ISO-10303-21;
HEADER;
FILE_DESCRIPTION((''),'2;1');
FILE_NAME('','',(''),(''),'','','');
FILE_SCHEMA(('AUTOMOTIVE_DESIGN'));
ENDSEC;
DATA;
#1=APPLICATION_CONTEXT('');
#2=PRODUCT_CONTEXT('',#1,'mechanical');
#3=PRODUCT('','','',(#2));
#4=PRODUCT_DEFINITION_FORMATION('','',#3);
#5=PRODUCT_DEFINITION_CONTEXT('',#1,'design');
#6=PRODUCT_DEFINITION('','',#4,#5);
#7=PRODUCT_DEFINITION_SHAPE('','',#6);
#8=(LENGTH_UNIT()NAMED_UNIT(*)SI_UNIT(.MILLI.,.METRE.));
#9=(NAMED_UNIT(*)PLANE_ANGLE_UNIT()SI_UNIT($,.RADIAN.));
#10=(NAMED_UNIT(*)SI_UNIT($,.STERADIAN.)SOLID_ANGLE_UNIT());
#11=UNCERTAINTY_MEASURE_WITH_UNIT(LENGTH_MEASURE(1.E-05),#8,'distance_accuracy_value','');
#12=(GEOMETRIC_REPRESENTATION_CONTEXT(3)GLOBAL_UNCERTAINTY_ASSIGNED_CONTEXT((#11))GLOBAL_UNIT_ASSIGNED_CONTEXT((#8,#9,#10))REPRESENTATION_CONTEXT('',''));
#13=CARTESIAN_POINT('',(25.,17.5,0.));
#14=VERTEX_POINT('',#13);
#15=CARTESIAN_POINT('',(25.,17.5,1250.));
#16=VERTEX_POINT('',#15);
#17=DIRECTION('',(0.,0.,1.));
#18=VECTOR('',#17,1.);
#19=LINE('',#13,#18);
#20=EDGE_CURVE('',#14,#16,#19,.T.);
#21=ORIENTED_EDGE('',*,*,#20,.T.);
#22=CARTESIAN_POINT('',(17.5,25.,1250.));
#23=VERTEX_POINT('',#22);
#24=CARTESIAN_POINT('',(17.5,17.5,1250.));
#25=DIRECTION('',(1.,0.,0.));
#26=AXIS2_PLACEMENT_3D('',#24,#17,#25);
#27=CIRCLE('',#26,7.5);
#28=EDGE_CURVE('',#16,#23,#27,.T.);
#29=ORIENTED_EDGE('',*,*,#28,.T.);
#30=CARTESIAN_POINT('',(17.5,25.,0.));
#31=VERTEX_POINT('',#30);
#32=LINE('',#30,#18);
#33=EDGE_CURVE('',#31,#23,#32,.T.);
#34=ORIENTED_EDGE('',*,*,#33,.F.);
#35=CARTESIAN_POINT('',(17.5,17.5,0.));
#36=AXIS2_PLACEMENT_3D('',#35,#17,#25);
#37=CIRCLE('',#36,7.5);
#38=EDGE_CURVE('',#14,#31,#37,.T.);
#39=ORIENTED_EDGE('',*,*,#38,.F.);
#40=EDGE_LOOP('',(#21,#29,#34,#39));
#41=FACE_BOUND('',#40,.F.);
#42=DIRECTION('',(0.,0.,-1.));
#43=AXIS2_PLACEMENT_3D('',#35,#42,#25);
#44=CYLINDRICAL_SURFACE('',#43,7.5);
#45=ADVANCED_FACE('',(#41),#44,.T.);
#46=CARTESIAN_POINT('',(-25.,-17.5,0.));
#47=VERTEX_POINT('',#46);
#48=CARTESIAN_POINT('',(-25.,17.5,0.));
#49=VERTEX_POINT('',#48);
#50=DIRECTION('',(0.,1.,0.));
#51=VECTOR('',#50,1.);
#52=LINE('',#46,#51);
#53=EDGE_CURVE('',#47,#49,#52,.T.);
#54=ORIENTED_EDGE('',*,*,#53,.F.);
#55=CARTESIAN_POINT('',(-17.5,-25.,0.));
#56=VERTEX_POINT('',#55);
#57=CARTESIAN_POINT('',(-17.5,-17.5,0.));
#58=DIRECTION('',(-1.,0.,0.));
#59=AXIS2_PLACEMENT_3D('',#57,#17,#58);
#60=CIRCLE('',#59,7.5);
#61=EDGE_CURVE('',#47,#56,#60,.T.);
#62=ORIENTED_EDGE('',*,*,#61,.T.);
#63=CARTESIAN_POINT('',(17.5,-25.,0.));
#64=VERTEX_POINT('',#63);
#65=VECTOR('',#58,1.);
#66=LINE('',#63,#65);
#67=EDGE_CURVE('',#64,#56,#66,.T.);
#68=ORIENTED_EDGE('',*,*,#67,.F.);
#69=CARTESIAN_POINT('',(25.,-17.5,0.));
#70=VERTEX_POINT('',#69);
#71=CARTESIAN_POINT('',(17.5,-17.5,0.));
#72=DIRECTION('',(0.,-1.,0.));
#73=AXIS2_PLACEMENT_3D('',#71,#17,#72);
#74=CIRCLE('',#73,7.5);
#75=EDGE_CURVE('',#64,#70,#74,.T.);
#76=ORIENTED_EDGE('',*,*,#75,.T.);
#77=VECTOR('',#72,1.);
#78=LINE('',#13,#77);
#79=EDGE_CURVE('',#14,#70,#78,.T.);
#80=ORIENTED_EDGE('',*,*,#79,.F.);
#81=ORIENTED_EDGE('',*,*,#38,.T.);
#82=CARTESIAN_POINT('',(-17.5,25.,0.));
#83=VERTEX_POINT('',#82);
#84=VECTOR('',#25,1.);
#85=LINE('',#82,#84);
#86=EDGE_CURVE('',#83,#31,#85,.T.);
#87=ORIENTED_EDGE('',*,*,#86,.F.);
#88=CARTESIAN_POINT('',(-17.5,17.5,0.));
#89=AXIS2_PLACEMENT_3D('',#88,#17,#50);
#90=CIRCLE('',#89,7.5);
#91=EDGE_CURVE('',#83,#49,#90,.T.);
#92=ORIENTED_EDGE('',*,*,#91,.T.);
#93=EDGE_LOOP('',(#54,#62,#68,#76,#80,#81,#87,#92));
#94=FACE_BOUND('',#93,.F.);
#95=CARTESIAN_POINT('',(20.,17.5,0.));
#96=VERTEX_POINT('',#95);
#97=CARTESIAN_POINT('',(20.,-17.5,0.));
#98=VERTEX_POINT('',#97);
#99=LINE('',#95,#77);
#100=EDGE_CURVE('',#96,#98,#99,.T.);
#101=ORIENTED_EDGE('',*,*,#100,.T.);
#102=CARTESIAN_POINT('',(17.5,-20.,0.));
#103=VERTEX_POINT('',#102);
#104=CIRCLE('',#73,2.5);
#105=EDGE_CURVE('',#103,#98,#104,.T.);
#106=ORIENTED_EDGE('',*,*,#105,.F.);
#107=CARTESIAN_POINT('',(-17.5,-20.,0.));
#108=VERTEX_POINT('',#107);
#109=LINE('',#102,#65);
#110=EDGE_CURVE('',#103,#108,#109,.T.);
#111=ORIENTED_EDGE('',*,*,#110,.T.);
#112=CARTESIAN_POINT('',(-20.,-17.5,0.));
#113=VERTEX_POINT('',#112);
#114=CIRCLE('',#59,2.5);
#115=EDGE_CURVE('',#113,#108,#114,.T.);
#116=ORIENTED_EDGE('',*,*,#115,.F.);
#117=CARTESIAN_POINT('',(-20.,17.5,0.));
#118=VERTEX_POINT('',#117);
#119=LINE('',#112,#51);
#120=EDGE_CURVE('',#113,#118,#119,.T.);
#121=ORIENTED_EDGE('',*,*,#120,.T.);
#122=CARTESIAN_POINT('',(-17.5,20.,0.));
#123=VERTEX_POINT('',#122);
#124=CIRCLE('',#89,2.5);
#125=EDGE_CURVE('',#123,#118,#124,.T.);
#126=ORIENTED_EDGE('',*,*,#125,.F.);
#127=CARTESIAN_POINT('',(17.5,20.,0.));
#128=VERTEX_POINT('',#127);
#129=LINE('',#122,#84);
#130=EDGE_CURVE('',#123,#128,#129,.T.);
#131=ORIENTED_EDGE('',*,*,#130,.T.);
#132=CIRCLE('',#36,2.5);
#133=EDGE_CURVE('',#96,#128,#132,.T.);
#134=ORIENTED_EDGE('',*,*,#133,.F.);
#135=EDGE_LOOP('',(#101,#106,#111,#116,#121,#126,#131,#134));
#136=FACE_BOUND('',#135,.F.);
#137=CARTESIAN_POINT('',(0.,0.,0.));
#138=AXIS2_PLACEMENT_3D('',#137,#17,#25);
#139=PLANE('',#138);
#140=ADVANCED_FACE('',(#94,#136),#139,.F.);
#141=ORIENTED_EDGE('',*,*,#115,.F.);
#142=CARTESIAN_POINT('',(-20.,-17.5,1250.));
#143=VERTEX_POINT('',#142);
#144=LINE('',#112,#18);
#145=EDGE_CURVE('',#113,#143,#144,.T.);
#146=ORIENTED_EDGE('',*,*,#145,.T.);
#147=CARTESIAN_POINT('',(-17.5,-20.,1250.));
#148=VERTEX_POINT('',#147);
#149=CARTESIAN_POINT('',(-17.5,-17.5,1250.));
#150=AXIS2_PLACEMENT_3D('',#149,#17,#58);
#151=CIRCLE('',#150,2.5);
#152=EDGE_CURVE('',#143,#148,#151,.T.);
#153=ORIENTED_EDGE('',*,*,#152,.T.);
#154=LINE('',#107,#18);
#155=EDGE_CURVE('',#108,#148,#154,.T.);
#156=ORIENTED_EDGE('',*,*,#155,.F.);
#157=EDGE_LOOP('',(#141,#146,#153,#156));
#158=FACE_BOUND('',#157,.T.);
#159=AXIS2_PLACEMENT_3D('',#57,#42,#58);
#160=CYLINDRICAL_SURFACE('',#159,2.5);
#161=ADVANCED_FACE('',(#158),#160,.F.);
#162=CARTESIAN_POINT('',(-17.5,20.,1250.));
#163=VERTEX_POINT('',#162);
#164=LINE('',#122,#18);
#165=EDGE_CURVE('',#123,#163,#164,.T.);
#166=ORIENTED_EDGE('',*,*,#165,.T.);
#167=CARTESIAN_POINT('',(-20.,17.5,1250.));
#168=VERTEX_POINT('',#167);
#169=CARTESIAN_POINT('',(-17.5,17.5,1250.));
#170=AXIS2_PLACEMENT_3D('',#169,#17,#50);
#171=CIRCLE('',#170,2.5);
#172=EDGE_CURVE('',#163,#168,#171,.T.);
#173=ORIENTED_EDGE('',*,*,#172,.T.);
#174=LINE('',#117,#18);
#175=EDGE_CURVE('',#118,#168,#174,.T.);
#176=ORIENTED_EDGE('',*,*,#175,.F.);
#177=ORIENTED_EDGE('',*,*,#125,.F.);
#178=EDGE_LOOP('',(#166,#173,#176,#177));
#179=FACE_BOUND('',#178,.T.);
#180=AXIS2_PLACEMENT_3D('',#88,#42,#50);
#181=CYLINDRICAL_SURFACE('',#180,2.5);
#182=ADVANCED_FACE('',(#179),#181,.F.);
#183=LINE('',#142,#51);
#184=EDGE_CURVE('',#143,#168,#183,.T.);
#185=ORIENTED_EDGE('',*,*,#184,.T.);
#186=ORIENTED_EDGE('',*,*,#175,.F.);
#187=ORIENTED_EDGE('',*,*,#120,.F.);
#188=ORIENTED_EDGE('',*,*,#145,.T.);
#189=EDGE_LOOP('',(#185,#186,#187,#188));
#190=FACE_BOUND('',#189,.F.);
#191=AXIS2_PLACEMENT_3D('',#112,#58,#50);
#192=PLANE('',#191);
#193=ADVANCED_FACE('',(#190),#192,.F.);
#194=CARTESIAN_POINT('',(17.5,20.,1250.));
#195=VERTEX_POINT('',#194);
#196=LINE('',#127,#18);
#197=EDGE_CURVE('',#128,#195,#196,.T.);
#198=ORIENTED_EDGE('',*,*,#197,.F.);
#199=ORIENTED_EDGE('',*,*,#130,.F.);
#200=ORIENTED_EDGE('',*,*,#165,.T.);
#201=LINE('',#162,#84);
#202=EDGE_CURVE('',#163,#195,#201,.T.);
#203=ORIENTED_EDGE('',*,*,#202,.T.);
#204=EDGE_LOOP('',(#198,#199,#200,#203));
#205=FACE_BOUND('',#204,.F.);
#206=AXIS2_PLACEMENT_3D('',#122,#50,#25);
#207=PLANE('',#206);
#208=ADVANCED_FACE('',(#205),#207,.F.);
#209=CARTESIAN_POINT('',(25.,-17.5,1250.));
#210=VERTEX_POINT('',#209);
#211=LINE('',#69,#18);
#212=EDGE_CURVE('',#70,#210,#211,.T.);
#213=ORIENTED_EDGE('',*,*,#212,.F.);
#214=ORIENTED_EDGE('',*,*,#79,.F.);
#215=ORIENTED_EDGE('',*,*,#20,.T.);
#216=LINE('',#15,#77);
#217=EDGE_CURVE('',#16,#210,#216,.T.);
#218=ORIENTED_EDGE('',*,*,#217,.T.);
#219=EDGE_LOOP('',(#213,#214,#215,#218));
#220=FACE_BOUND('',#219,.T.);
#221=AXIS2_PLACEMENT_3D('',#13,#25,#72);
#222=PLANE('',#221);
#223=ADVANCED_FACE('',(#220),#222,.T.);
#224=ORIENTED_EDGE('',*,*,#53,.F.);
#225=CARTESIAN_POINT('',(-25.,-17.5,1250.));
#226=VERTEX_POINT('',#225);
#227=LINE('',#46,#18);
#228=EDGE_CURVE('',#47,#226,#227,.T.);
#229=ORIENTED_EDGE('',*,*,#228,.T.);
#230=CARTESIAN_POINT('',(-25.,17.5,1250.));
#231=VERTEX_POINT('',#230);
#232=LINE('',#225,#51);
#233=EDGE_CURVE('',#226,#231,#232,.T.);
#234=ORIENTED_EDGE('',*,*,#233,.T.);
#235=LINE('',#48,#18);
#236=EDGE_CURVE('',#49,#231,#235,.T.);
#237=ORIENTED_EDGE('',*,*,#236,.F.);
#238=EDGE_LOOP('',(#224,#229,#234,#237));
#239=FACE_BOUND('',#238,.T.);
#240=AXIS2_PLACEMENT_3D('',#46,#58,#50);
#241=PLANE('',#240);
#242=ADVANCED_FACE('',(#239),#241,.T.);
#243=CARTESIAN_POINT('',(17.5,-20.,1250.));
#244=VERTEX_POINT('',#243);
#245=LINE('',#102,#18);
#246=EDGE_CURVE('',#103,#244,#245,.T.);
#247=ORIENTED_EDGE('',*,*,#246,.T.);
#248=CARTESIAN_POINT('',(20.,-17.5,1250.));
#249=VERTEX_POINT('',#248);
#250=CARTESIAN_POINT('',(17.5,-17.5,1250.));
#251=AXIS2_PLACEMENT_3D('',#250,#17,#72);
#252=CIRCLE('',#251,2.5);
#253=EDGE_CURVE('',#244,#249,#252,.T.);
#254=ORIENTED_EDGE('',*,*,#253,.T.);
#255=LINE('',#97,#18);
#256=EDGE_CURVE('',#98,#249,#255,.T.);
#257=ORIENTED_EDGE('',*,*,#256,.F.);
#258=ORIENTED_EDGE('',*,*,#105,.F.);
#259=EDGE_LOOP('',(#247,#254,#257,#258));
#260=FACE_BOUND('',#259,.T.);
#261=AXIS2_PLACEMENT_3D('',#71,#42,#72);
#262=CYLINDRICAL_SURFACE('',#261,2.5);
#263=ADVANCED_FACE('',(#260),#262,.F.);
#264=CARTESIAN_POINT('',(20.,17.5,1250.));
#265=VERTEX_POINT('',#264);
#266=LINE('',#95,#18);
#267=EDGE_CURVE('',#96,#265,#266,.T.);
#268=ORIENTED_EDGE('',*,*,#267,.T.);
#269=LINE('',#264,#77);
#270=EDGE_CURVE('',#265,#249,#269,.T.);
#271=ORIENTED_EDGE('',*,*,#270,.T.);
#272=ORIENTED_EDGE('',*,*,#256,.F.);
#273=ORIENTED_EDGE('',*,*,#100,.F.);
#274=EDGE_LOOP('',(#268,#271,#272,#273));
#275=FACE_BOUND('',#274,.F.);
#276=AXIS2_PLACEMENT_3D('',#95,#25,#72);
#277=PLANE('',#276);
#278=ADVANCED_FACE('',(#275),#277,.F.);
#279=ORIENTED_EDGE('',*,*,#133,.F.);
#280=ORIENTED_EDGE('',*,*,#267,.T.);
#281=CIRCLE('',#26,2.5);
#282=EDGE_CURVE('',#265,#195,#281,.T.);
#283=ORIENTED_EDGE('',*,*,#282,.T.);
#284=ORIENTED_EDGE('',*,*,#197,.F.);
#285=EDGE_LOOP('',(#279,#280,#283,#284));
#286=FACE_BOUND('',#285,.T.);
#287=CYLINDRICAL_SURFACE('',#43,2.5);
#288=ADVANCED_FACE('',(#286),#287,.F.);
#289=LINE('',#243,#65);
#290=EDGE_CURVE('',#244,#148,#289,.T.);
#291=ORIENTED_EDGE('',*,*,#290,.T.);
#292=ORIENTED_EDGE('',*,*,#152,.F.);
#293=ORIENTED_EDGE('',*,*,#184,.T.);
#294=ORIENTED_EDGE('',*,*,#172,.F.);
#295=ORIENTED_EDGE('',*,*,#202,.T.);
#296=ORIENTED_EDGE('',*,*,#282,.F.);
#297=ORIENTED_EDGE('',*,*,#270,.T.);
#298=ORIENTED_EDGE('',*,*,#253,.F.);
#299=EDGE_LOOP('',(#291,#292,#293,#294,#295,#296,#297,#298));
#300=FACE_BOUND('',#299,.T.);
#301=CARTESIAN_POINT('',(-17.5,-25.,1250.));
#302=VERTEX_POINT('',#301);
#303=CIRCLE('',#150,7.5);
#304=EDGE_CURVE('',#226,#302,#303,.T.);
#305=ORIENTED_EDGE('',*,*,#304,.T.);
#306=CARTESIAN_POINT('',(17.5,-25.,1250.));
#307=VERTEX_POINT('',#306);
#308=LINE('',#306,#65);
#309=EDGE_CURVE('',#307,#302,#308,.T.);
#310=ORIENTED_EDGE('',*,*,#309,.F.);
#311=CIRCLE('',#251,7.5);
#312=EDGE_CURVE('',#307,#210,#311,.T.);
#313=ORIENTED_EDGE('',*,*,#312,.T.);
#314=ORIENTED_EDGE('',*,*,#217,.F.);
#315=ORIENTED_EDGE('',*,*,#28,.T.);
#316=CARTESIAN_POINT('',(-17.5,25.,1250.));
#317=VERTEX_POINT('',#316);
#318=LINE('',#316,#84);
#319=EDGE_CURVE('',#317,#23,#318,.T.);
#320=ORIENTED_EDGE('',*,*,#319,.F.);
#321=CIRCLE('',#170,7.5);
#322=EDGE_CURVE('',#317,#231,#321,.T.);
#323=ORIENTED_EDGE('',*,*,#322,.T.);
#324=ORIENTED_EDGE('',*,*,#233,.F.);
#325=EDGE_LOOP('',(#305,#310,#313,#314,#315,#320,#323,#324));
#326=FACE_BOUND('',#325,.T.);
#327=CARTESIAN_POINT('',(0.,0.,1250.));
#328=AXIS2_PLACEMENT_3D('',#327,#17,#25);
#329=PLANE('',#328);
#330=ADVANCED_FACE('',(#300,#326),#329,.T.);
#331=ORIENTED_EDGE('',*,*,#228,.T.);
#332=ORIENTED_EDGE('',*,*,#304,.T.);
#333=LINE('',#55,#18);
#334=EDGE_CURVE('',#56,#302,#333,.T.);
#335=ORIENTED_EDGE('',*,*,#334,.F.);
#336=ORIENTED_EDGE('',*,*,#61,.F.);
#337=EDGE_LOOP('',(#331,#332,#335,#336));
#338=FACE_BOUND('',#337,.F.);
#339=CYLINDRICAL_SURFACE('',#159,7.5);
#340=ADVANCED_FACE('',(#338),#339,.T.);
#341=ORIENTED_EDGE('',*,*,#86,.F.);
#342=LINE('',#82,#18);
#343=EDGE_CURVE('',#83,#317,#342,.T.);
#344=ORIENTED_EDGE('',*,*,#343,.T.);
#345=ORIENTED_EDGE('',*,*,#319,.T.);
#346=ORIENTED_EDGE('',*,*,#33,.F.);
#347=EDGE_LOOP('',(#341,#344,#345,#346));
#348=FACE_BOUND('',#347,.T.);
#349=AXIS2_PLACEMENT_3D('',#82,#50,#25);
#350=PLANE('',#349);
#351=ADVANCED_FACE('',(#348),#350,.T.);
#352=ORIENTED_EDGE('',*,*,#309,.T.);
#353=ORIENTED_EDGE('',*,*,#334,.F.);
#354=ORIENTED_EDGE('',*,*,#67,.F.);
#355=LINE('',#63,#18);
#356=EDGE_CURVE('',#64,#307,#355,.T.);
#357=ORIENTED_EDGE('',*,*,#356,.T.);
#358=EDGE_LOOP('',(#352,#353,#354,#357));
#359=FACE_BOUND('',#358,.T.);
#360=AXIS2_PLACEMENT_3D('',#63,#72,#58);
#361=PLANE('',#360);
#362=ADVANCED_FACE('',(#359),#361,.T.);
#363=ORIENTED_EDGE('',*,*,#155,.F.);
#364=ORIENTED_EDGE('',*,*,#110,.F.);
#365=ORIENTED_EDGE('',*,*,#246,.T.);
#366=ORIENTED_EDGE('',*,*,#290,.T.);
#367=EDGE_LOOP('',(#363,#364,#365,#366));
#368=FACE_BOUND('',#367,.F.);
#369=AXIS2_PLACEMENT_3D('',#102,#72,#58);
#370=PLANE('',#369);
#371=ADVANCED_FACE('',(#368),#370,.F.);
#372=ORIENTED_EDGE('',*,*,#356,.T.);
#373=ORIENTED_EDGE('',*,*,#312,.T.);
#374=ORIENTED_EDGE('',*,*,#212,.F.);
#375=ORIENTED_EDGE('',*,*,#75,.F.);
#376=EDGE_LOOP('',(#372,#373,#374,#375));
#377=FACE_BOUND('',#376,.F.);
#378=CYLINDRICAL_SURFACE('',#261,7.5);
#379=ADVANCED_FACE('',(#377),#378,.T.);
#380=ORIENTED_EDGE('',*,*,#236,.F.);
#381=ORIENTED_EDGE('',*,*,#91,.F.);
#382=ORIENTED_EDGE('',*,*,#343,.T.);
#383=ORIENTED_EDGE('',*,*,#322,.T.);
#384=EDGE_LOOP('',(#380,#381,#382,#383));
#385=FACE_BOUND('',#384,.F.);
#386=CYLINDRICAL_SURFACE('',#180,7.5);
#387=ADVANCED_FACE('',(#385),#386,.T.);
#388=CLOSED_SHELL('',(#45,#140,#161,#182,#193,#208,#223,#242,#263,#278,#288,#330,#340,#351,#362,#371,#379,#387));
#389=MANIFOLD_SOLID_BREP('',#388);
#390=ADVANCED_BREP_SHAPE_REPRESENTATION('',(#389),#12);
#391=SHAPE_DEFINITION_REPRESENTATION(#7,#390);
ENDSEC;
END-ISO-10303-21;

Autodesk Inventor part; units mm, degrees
ref_plane "YZ Plane" through (0, 0, 0) normal (1, 0, 0) x (0, 1, 0)
ref_plane "Start Plane" through (0, 0, 0) normal (0, 0, 1) x (1, 0, 0)
ref_plane "End Plane" through (0, 0, 1250) normal (0, 0, 1) x (1, 0, 0)
sketch "Sketch" plane through (0, 0, 0) normal (0, 0, 1) x (1, 0, 0)
  line L0 (-25, -17.5) -> (-25, 17.5)
  line L1 (-17.5, 25) -> (17.5, 25)
  line L2 (25, 17.5) -> (25, -17.5)
  line L3 (17.5, -25) -> (-17.5, -25)
  arc A0 (-25, -17.5) -> (-17.5, -25) centre (-17.5, -17.5) ccw
  arc A1 (-17.5, 25) -> (-25, 17.5) centre (-17.5, 17.5) ccw
  arc A2 (25, 17.5) -> (17.5, 25) centre (17.5, 17.5) ccw
  arc A3 (17.5, -25) -> (25, -17.5) centre (17.5, -17.5) ccw
  arc A4 (-17.5, 20) -> (-20, 17.5) centre (-17.5, 17.5) ccw
  line L4 (-17.5, 20) -> (17.5, 20)
  arc A5 (20, 17.5) -> (17.5, 20) centre (17.5, 17.5) ccw
  line L5 (20, 17.5) -> (20, -17.5)
  arc A6 (17.5, -20) -> (20, -17.5) centre (17.5, -17.5) ccw
  line L6 (17.5, -20) -> (-17.5, -20)
  arc A7 (-20, -17.5) -> (-17.5, -20) centre (-17.5, -17.5) ccw
  line L7 (-20, -17.5) -> (-20, 17.5)
  line L8 (0, 37.1746) -> (0, -37.1746) construction
  line L9 (-37.1746, 0) -> (37.1746, 0) construction
  dimension "d7" = 7.5
  dimension "d10" = 50
  dimension "d11" = 50
  dimension "d12" = 5
  dimension "d15" = 25
  dimension "d16" = 25
extrude "Body" add sketch "Sketch" along normal up to surface (1250 mm away) from surface at 0
sketch "Sketch3" plane through (0, 0, 0) normal (0, 0, 1) x (1, 0, 0)
  line L0 (0, 0) -> (10, 0)
ref_plane "Work Plane3" through (0, 0, 0) normal (0, -1, 0) x (1, 0, 0)
sketch "Sketch4" plane through (0, 0, 0) normal (0, -1, 0) x (1, 0, 0)
  line L0 (-2, 0) -> (12, 0)
  line L1 (-2, 1250) -> (12, 1250)
  dimension "d18" = 1250
equation "\"d7\" = G_IR"
equation "\"d10\" = G_H"
equation "\"d11\" = G_W"
equation "\"d12\" = G_T"
equation "\"d15\" = 0.5 * d10"
equation "\"d16\" = 0.5 * d11"
equation "\"d3\" = G_L"
equation "\"G_W\" = 50"
equation "\"G_H\" = 50"
equation "\"G_T\" = 5"
equation "\"G_IR\" = 7.5"
equation "\"G_L\" = d18"
equation "\"G_OFFSET_START\" = 0"
equation "\"G_OFFSET_END\" = 0"
properties part number "ISO 12633-2 50x50x5 1744274642458" material "Steel, Mild"
